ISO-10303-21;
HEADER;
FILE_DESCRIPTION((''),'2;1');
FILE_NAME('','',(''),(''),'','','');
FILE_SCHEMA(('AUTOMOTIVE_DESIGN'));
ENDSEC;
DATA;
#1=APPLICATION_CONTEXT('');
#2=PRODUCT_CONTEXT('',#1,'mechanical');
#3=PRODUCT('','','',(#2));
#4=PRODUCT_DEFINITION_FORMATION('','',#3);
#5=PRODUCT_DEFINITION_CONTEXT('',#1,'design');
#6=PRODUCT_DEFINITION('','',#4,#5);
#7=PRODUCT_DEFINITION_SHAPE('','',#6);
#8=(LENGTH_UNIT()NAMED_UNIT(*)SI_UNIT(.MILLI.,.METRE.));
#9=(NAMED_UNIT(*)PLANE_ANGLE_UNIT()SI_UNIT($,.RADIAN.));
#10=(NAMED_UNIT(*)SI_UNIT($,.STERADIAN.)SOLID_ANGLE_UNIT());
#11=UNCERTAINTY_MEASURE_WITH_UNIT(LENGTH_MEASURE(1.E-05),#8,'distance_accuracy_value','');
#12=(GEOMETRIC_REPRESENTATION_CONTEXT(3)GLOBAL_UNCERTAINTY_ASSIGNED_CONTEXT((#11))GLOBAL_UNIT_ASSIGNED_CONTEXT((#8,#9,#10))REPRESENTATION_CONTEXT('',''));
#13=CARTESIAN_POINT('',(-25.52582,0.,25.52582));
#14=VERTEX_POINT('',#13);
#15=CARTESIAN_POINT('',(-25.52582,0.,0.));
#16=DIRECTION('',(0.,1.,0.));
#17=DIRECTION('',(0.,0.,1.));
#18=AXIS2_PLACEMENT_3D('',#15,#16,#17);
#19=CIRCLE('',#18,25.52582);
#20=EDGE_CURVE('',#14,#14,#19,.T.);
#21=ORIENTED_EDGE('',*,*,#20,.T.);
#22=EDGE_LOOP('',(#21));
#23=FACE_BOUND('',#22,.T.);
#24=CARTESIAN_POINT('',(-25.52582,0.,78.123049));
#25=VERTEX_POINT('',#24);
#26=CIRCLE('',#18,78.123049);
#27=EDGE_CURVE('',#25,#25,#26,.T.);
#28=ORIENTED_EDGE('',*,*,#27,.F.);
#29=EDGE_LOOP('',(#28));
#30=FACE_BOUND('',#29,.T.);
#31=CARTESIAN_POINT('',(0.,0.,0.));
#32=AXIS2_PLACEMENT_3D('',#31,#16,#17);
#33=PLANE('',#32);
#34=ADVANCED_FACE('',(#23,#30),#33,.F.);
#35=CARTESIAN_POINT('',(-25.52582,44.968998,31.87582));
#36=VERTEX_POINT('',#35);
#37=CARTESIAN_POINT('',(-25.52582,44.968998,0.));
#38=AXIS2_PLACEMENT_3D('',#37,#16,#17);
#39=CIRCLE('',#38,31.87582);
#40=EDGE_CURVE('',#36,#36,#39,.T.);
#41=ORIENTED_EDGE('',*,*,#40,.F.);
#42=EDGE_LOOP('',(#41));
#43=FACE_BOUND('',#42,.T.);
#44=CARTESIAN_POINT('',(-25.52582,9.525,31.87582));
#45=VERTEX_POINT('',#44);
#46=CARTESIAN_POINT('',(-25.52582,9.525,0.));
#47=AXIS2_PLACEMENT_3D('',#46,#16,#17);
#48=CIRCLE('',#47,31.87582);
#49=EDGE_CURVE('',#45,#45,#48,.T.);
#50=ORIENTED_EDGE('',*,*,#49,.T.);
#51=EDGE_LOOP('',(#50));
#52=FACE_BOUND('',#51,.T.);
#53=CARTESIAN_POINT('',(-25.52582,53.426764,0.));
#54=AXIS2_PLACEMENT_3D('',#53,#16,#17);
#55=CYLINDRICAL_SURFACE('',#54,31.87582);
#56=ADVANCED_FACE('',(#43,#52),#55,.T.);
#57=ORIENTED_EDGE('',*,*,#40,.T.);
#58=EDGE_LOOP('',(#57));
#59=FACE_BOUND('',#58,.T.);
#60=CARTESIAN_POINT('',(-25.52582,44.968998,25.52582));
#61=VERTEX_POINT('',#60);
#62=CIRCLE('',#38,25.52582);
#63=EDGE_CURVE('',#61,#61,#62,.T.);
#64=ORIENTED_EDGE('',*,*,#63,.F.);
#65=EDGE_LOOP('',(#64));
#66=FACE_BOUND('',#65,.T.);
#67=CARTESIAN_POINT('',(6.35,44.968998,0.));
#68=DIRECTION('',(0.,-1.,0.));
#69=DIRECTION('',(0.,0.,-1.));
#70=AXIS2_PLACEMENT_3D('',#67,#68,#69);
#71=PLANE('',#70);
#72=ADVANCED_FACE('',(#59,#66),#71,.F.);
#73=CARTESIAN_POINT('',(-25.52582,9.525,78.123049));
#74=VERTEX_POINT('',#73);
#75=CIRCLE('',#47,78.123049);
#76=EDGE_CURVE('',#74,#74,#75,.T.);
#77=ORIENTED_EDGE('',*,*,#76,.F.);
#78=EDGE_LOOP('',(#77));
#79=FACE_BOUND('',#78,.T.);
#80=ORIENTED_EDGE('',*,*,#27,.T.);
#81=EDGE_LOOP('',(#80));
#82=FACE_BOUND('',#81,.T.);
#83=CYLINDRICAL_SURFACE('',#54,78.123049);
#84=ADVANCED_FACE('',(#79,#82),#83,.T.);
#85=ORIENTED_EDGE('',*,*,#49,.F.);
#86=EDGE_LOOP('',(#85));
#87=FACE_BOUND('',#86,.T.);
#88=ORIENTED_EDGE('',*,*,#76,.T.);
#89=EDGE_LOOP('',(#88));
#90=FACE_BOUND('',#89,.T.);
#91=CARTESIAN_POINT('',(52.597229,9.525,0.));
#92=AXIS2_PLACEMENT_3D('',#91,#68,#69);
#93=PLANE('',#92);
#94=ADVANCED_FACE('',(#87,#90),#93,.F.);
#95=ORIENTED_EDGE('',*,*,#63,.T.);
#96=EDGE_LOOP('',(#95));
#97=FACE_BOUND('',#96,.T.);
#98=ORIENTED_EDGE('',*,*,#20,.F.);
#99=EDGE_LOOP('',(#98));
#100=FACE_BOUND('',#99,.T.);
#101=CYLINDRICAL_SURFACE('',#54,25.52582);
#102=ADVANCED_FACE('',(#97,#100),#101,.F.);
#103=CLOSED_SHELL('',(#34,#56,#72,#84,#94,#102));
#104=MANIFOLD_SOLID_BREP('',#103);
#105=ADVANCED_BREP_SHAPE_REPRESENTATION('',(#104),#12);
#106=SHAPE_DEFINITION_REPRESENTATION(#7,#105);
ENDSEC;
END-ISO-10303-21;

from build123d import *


with BuildPart() as part:
    # Sketch12 → Revolve1 (revolve)
    with BuildSketch(Plane.XY, mode=Mode.PRIVATE) as revolve1_sk:
        Polygon((0, 43.188415764), (0, 0), (52.597229294, 0), (52.597229294, 9.525), (6.35, 9.525), (6.35, 44.968998076), (0, 44.968998076), align=None)
    revolve(revolve1_sk.sketch.rotate(Axis((-25.525819638, 53.426764057, 0), (0, -1, 0)), 90), axis=Axis((-25.525819638, 53.426764057, 0), (0, -1, 0)))


solid = part.part
